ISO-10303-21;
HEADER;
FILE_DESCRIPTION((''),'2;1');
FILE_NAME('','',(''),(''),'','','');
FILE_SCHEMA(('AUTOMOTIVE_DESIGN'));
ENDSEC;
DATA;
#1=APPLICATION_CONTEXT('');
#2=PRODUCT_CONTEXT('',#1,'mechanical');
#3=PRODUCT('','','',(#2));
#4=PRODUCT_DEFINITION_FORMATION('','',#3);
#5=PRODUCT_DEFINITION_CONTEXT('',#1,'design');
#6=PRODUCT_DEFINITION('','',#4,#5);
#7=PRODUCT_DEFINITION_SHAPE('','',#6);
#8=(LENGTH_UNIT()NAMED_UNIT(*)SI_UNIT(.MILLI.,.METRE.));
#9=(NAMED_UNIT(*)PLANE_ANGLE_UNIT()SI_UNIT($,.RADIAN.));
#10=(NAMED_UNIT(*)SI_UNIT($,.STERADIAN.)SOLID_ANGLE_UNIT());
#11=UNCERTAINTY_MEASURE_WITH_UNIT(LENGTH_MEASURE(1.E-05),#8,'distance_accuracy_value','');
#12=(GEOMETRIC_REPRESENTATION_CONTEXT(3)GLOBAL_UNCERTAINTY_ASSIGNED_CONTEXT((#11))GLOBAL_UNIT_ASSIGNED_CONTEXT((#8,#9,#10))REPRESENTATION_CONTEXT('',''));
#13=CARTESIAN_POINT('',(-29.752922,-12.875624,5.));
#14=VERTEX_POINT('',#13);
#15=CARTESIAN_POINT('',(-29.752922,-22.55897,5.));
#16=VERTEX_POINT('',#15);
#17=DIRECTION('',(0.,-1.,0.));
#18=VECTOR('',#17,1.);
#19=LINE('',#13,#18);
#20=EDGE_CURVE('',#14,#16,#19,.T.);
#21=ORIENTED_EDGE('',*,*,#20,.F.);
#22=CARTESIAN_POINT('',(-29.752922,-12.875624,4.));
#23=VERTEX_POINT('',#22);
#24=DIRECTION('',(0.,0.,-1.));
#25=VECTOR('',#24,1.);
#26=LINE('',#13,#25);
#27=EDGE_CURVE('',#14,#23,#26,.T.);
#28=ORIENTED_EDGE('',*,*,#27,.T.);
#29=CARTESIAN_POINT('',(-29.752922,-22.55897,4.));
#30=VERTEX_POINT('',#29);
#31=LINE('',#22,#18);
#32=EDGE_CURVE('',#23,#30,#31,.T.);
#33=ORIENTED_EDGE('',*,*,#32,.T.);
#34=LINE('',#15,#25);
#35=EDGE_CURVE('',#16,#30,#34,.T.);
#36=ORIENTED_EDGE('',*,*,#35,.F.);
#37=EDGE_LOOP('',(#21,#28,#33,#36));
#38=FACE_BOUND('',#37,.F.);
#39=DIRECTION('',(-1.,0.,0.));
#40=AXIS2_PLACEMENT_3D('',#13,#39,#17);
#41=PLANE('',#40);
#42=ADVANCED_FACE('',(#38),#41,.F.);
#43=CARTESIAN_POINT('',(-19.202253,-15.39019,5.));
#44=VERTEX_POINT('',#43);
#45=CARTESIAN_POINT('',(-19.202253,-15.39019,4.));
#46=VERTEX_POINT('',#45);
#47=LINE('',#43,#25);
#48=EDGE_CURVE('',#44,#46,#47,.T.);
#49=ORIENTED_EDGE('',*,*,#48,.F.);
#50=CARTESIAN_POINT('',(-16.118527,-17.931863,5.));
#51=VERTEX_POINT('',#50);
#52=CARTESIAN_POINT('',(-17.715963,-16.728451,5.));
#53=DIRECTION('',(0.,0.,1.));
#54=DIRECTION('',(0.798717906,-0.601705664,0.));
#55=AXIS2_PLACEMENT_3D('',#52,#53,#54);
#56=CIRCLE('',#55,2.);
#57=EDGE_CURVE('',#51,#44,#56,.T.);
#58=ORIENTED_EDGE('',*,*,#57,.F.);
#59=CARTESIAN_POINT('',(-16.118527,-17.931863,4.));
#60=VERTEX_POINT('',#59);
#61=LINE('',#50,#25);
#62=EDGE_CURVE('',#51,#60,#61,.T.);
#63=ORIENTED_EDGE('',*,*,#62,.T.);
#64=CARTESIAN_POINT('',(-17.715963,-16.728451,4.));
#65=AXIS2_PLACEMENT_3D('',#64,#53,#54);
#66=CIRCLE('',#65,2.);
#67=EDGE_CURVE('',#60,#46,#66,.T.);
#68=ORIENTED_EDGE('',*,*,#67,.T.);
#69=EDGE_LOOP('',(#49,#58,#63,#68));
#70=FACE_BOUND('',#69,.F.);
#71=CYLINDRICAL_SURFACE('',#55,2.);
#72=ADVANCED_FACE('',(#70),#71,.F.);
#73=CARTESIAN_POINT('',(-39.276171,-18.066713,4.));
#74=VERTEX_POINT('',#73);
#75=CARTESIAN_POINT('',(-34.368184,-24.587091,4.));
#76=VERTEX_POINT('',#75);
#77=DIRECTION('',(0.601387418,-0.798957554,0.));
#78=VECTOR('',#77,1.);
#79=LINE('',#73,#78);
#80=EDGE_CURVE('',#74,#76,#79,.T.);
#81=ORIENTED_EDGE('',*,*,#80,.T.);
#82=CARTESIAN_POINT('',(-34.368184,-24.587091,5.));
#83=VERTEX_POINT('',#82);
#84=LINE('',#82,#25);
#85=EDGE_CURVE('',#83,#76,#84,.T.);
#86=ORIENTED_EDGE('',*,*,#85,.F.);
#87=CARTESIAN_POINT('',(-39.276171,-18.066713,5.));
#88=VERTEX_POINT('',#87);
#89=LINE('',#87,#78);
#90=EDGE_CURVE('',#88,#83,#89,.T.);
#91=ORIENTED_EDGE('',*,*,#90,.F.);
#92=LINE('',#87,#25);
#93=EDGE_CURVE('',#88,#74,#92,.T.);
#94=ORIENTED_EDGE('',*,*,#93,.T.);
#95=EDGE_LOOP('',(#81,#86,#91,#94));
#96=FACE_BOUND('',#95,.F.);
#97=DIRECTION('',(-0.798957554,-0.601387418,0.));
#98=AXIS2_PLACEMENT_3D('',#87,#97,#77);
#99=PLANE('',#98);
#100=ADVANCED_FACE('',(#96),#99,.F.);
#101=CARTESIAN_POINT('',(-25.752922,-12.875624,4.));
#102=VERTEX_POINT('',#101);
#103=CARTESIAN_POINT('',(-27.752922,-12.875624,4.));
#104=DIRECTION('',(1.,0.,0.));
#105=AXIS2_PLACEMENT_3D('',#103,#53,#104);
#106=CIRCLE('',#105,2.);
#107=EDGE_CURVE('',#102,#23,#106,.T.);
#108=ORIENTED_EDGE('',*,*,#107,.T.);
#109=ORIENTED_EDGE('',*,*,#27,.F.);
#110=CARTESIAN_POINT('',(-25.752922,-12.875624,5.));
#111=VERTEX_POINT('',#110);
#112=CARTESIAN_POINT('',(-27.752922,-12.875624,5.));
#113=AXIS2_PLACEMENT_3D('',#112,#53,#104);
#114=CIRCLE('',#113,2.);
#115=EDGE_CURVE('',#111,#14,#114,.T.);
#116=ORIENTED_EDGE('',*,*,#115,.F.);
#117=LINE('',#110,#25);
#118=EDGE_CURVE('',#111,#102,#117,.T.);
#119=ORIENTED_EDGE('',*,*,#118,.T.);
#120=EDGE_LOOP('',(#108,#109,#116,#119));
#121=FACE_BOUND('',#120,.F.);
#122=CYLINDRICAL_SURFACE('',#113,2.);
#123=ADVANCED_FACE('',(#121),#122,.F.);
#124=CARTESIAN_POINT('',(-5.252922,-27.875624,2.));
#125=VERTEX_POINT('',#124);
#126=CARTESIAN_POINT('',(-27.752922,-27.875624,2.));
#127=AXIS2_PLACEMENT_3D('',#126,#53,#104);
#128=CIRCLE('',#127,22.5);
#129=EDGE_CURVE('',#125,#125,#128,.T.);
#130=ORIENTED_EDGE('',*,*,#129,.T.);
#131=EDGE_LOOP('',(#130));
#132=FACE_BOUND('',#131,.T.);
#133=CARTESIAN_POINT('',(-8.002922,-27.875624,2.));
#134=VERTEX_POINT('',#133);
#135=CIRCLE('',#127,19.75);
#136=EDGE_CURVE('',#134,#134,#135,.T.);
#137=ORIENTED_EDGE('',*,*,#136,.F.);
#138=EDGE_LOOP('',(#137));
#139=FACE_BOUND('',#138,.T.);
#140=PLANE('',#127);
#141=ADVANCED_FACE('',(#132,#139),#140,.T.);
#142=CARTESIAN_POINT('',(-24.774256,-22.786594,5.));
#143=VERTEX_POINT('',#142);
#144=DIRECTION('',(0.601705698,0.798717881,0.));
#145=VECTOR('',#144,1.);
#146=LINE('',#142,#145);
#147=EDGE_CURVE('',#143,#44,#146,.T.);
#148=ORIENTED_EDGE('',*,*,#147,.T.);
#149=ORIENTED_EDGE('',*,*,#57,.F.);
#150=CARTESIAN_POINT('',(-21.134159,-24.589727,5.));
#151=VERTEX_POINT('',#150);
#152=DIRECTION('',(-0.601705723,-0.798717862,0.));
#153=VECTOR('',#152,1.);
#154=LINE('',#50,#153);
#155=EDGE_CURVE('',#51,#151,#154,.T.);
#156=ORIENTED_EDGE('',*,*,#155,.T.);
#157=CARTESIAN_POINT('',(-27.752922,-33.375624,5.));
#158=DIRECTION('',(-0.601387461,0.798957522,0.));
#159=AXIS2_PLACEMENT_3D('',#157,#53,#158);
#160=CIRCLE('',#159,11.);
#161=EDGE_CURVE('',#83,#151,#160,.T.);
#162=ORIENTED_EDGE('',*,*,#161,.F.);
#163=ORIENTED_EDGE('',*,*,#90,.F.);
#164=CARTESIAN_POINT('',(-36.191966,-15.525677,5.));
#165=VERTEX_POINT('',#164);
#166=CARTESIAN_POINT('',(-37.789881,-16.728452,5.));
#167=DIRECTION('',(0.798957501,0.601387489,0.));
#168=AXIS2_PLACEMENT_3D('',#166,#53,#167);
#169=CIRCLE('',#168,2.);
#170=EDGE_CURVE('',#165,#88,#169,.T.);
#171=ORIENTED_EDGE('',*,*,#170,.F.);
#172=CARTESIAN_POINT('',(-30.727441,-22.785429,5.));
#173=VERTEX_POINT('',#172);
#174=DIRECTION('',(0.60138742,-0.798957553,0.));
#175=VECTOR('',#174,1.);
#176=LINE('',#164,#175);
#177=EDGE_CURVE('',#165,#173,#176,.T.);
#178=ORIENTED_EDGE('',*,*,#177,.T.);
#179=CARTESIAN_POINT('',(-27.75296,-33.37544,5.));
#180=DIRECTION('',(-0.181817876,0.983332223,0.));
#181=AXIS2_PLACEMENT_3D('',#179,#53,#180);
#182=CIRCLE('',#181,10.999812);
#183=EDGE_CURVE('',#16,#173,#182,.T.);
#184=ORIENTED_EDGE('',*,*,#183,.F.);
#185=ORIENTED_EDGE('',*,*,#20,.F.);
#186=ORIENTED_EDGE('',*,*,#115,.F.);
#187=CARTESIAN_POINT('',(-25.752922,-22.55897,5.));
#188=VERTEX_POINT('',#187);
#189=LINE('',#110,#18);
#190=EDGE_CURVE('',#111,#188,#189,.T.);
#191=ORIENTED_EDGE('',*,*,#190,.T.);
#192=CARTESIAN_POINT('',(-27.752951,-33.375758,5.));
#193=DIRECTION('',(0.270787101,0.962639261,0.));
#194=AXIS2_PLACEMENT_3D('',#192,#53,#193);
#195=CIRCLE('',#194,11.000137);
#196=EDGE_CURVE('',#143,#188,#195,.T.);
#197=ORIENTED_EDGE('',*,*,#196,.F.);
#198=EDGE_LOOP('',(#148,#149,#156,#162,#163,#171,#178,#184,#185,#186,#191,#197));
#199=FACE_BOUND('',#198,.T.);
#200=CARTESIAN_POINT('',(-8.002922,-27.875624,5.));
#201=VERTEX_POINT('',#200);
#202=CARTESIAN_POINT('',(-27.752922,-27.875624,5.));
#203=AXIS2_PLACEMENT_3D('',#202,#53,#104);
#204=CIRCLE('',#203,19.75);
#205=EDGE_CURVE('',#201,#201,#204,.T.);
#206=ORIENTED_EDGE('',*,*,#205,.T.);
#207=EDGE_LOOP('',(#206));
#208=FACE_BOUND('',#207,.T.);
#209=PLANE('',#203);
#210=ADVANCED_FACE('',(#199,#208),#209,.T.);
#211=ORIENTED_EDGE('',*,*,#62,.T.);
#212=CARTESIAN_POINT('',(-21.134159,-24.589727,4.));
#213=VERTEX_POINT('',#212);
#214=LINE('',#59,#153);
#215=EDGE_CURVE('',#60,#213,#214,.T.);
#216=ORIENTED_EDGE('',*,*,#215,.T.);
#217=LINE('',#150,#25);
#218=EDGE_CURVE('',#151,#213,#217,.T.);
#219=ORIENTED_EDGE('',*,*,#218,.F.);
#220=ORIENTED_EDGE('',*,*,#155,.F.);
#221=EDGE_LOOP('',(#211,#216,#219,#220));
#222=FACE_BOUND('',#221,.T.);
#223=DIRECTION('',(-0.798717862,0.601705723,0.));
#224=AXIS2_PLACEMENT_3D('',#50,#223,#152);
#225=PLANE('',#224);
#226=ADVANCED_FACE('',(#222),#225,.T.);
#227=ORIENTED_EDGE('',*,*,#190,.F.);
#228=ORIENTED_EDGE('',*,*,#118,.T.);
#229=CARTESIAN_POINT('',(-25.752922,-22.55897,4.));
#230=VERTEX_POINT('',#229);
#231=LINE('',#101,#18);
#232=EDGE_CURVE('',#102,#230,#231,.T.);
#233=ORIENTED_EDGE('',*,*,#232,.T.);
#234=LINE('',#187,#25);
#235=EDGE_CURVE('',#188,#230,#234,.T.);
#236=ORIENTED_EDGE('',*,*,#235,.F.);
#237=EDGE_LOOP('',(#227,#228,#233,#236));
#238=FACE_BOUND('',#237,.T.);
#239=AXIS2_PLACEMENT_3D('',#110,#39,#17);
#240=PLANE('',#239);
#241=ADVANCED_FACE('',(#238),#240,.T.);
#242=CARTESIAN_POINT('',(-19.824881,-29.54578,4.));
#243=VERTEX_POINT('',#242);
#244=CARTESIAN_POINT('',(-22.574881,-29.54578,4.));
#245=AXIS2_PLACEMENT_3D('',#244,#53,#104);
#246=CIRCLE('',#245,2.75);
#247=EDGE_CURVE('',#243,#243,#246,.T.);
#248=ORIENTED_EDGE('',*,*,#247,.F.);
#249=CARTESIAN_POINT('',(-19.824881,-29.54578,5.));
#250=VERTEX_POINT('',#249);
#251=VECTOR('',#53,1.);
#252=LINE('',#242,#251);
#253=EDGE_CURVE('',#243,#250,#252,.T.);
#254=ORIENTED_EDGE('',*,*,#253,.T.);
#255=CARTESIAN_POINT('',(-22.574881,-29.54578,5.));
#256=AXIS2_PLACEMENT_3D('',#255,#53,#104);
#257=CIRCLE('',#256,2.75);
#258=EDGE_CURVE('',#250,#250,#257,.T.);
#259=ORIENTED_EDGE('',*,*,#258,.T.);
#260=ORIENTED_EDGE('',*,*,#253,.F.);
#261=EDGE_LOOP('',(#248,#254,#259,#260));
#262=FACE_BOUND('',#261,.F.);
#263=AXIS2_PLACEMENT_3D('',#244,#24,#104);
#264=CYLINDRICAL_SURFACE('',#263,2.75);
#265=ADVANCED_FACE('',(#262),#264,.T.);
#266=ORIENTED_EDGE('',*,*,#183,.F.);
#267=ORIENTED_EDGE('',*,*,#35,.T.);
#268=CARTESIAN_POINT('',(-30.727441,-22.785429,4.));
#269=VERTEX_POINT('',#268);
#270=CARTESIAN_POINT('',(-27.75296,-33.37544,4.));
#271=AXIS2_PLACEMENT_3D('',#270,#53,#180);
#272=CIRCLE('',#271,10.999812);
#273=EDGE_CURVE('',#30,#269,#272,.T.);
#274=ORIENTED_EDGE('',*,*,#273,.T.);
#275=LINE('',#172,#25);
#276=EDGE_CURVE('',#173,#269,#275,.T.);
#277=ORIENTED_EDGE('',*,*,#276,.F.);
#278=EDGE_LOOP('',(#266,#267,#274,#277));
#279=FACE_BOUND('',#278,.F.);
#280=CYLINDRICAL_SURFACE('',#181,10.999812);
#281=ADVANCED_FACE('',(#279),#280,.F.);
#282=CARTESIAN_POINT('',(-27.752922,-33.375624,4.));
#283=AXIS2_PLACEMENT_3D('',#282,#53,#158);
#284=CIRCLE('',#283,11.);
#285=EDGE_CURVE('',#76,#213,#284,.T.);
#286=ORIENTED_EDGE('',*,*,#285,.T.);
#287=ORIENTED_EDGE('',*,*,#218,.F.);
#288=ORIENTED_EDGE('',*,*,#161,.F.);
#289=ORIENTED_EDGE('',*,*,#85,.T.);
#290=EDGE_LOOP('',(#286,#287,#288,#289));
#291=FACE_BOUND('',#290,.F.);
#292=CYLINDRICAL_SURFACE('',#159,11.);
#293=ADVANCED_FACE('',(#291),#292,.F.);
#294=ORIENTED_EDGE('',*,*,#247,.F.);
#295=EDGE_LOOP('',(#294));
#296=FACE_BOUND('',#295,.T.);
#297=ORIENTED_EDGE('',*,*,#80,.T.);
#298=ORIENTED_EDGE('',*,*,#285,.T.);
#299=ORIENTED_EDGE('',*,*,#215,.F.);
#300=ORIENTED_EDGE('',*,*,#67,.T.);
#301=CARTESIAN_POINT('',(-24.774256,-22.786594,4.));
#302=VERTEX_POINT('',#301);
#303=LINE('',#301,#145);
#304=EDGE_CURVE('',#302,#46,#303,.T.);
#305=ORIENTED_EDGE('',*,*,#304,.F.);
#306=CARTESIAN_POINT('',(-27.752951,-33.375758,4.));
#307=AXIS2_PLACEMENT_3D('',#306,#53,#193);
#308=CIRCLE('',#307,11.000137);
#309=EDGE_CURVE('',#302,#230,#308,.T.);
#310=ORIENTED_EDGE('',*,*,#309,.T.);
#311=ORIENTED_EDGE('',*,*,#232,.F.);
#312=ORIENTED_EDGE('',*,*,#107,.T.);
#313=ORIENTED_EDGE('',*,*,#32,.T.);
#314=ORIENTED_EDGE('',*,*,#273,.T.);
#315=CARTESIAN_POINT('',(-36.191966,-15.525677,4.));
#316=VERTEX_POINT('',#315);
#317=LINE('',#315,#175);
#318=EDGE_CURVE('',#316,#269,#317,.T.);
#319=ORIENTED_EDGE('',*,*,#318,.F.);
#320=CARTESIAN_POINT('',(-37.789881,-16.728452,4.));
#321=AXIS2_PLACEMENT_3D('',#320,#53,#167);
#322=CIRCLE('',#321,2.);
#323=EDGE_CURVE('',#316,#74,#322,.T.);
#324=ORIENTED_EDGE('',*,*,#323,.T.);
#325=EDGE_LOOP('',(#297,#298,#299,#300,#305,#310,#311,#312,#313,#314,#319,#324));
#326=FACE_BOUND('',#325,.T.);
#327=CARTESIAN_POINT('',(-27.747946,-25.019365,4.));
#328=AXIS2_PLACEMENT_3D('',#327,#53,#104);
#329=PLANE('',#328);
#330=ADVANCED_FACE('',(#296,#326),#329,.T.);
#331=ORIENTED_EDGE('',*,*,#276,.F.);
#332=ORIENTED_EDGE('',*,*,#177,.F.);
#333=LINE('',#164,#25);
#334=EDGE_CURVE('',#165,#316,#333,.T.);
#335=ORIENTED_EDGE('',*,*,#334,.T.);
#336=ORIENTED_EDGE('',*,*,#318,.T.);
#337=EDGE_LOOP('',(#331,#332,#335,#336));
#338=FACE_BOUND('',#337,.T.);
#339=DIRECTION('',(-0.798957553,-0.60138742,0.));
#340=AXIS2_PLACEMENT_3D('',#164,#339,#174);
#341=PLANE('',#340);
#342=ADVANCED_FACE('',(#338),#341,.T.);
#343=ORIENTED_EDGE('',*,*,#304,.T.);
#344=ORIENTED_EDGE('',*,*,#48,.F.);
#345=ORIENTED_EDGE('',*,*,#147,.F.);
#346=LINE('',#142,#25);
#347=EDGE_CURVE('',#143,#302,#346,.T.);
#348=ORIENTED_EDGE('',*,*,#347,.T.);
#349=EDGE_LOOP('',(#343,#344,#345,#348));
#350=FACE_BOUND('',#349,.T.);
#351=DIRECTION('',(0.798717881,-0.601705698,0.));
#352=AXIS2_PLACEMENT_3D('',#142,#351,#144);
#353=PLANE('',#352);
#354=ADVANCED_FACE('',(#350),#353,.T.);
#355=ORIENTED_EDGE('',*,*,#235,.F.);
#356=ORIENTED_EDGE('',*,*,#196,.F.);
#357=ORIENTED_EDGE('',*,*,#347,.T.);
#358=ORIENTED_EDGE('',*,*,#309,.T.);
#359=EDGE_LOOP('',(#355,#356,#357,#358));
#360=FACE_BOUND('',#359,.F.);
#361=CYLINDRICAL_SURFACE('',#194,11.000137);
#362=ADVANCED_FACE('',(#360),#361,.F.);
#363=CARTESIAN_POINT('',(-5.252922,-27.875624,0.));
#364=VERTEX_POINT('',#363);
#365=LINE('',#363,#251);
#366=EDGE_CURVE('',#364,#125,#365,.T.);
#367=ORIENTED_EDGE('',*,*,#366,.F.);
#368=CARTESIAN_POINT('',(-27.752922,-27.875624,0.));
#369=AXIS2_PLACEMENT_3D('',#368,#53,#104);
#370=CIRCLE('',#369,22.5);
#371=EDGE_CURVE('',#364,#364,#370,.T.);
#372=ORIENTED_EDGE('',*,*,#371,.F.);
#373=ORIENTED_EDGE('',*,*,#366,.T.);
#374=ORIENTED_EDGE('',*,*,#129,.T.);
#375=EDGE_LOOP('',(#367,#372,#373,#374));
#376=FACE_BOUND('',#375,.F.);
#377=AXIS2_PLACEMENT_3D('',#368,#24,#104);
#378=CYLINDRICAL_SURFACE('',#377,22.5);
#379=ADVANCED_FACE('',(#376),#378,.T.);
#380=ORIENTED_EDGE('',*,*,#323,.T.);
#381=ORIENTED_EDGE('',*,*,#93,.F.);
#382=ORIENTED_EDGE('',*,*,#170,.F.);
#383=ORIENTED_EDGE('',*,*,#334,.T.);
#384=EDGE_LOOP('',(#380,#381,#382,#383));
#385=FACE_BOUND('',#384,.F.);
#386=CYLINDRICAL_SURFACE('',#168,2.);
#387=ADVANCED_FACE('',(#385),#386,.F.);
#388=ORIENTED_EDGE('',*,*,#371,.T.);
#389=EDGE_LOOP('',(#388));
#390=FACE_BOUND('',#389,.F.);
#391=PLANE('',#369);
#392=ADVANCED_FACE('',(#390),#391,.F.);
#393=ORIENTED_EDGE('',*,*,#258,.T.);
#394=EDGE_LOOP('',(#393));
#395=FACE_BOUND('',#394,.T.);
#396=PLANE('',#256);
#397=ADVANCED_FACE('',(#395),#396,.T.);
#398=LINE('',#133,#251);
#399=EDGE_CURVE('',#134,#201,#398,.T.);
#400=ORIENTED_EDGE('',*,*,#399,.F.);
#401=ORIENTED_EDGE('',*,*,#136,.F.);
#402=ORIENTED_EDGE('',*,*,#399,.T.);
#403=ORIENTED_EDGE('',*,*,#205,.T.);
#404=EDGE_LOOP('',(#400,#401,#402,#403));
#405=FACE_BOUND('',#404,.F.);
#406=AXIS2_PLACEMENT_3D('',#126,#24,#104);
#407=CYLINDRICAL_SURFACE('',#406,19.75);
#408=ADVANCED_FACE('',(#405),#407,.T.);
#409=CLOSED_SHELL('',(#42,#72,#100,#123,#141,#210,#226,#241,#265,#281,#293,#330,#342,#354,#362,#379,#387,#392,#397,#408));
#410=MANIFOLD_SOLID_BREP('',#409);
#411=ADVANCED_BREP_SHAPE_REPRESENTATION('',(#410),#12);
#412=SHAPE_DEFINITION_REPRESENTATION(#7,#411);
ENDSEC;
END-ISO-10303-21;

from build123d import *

# Parameters (mm, degrees)
SKETCH027_R     = 22.5
PAD008_DEPTH    = 2
SKETCH028_R     = 19.75
PAD009_DEPTH    = 3
POCKET014_DEPTH = 1
SKETCH030_R     = 2.75
PAD010_DEPTH    = 1


with BuildPart() as part:
    # Sketch027 → Pad008 (new body)
    with BuildSketch(Plane.XY):
        with Locations((-27.752922, -27.875624)):
            Circle(SKETCH027_R)
    extrude(amount=PAD008_DEPTH)

    # Sketch028 (on Face3 of Pad008) → Pad009 (join)
    with BuildSketch(Plane.XY.offset(2)):
        with Locations((-27.752922, -27.875624)):
            Circle(SKETCH028_R)
    extrude(amount=PAD009_DEPTH)

    # Sketch029 (on Face5 of Pad009) → Pocket014 (cut)
    with BuildSketch(Plane.XY.offset(5)):
        with BuildLine():
            ThreePointArc((-34.368184, -24.587091), (-27.755113, -44.375624), (-21.134159, -24.589727))
            Line((-16.118527, -17.931863), (-21.134159, -24.589727))
            ThreePointArc((-16.118527, -17.931863), (-16.443912, -15.185115), (-19.202253, -15.39019))
            Line((-24.774256, -22.786594), (-19.202253, -15.39019))
            ThreePointArc((-24.774256, -22.786594), (-25.260988, -22.661602), (-25.752922, -22.55897))
            Line((-25.752922, -12.875624), (-25.752922, -22.55897))
            ThreePointArc((-25.752922, -12.875624), (-27.752922, -10.875624), (-29.752922, -12.875624))
            Line((-29.752922, -12.875624), (-29.752922, -22.55897))
            ThreePointArc((-29.752922, -22.55897), (-30.242757, -22.661114), (-30.727441, -22.785429))
            Line((-36.191966, -15.525677), (-30.727441, -22.785429))
            ThreePointArc((-36.191966, -15.525677), (-39.061624, -15.184862), (-39.276171, -18.066713))
            Line((-39.276171, -18.066713), (-34.368184, -24.587091))
        make_face()
    extrude(amount=-POCKET014_DEPTH, mode=Mode.SUBTRACT)

    # Sketch030 (on Face18 of Pocket014) → Pad010 (join)
    with BuildSketch(Plane.XY.offset(4)):
        with Locations((-22.574881, -29.54578)):
            Circle(SKETCH030_R)
    extrude(amount=PAD010_DEPTH)


solid = part.part
